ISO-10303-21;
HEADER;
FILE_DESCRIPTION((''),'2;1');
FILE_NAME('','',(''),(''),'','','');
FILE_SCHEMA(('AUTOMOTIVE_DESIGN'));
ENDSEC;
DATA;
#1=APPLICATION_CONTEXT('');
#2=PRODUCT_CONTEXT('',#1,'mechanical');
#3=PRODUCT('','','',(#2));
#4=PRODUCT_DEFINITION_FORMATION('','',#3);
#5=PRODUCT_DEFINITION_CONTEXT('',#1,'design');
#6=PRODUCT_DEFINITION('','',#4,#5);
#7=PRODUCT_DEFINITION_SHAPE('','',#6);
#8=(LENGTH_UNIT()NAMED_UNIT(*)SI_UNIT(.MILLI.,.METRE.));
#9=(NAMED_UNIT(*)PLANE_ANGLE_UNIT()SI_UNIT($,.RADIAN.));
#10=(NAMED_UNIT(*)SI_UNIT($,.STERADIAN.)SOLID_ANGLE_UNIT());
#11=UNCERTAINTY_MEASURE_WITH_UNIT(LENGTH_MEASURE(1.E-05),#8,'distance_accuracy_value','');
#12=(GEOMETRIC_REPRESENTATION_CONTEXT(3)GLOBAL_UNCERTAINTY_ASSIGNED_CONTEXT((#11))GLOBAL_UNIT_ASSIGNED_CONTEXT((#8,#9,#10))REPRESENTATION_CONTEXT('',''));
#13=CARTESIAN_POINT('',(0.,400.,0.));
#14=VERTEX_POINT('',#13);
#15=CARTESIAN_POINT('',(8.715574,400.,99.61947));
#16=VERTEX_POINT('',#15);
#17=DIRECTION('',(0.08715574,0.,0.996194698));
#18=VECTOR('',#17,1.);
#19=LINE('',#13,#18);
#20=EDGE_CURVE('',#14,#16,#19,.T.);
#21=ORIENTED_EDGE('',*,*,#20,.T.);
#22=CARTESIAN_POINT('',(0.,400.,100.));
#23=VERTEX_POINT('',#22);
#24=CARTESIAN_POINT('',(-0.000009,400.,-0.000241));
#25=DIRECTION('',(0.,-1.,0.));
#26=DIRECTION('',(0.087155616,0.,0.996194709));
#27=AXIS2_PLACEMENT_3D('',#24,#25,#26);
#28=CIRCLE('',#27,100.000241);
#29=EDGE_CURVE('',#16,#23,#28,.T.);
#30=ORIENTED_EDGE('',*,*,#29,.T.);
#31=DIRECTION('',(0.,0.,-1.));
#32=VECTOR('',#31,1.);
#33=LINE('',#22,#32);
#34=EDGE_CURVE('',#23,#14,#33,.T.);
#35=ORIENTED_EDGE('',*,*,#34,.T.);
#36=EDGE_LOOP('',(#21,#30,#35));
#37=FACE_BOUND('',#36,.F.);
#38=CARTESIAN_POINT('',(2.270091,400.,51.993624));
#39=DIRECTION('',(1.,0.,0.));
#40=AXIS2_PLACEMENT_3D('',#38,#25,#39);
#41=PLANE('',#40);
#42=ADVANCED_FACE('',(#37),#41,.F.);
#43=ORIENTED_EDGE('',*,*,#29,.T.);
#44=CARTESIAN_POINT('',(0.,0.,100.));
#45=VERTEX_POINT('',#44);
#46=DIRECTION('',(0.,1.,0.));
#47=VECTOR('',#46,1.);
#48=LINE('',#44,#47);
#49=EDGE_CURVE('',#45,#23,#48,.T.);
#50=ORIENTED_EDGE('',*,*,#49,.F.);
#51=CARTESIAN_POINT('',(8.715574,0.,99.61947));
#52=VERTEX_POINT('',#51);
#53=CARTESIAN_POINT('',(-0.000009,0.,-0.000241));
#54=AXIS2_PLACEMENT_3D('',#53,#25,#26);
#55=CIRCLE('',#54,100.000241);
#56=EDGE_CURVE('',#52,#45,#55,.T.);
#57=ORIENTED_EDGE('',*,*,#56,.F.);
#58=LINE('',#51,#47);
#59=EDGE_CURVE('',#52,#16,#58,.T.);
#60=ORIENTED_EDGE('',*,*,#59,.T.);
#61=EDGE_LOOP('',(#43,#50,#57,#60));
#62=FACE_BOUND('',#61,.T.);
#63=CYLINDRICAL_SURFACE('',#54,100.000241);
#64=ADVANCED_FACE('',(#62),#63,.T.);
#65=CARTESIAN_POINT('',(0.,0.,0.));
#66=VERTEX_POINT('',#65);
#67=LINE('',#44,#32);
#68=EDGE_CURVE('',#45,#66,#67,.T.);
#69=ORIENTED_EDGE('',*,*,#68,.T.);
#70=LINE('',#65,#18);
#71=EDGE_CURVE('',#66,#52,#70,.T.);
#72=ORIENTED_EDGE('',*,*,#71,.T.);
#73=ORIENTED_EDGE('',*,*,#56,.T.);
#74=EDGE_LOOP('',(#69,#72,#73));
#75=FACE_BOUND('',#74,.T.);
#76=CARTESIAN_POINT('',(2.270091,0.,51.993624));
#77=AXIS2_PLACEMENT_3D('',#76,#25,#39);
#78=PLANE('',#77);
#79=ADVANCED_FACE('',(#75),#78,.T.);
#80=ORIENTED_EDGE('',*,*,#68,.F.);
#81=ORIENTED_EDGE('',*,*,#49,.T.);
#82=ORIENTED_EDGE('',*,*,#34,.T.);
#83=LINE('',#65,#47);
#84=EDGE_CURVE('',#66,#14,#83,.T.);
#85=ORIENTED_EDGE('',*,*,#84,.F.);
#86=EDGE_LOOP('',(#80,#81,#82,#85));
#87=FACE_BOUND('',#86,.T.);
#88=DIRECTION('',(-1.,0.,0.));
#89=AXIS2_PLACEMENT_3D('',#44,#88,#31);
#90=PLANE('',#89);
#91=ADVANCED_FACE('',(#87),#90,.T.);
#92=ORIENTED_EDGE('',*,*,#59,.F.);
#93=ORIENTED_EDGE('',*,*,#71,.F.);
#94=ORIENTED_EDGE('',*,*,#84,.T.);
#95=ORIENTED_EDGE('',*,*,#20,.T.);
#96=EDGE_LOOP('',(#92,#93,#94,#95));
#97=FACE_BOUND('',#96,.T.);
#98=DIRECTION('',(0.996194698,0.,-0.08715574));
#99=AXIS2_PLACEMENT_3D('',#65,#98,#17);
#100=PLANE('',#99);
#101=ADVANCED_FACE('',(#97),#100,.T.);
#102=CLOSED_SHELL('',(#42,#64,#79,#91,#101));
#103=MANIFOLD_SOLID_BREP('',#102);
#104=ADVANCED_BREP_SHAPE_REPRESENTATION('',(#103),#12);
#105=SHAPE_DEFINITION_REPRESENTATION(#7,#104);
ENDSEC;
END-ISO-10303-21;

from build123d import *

# Parameters (mm, degrees)
F1_DEPTH = 400


with BuildPart() as f1:
    # F0 (on Front) → F1 (new body)
    with BuildSketch(Plane.XZ):
        with BuildLine():
            Line((0, 0), (8.715574, 99.61947))
            ThreePointArc((8.715574, 99.61947), (4.361939, 99.904822), (0, 100))
            Line((0, 100), (0, 0))
        make_face()
    extrude(amount=-F1_DEPTH)


solid = f1.part
